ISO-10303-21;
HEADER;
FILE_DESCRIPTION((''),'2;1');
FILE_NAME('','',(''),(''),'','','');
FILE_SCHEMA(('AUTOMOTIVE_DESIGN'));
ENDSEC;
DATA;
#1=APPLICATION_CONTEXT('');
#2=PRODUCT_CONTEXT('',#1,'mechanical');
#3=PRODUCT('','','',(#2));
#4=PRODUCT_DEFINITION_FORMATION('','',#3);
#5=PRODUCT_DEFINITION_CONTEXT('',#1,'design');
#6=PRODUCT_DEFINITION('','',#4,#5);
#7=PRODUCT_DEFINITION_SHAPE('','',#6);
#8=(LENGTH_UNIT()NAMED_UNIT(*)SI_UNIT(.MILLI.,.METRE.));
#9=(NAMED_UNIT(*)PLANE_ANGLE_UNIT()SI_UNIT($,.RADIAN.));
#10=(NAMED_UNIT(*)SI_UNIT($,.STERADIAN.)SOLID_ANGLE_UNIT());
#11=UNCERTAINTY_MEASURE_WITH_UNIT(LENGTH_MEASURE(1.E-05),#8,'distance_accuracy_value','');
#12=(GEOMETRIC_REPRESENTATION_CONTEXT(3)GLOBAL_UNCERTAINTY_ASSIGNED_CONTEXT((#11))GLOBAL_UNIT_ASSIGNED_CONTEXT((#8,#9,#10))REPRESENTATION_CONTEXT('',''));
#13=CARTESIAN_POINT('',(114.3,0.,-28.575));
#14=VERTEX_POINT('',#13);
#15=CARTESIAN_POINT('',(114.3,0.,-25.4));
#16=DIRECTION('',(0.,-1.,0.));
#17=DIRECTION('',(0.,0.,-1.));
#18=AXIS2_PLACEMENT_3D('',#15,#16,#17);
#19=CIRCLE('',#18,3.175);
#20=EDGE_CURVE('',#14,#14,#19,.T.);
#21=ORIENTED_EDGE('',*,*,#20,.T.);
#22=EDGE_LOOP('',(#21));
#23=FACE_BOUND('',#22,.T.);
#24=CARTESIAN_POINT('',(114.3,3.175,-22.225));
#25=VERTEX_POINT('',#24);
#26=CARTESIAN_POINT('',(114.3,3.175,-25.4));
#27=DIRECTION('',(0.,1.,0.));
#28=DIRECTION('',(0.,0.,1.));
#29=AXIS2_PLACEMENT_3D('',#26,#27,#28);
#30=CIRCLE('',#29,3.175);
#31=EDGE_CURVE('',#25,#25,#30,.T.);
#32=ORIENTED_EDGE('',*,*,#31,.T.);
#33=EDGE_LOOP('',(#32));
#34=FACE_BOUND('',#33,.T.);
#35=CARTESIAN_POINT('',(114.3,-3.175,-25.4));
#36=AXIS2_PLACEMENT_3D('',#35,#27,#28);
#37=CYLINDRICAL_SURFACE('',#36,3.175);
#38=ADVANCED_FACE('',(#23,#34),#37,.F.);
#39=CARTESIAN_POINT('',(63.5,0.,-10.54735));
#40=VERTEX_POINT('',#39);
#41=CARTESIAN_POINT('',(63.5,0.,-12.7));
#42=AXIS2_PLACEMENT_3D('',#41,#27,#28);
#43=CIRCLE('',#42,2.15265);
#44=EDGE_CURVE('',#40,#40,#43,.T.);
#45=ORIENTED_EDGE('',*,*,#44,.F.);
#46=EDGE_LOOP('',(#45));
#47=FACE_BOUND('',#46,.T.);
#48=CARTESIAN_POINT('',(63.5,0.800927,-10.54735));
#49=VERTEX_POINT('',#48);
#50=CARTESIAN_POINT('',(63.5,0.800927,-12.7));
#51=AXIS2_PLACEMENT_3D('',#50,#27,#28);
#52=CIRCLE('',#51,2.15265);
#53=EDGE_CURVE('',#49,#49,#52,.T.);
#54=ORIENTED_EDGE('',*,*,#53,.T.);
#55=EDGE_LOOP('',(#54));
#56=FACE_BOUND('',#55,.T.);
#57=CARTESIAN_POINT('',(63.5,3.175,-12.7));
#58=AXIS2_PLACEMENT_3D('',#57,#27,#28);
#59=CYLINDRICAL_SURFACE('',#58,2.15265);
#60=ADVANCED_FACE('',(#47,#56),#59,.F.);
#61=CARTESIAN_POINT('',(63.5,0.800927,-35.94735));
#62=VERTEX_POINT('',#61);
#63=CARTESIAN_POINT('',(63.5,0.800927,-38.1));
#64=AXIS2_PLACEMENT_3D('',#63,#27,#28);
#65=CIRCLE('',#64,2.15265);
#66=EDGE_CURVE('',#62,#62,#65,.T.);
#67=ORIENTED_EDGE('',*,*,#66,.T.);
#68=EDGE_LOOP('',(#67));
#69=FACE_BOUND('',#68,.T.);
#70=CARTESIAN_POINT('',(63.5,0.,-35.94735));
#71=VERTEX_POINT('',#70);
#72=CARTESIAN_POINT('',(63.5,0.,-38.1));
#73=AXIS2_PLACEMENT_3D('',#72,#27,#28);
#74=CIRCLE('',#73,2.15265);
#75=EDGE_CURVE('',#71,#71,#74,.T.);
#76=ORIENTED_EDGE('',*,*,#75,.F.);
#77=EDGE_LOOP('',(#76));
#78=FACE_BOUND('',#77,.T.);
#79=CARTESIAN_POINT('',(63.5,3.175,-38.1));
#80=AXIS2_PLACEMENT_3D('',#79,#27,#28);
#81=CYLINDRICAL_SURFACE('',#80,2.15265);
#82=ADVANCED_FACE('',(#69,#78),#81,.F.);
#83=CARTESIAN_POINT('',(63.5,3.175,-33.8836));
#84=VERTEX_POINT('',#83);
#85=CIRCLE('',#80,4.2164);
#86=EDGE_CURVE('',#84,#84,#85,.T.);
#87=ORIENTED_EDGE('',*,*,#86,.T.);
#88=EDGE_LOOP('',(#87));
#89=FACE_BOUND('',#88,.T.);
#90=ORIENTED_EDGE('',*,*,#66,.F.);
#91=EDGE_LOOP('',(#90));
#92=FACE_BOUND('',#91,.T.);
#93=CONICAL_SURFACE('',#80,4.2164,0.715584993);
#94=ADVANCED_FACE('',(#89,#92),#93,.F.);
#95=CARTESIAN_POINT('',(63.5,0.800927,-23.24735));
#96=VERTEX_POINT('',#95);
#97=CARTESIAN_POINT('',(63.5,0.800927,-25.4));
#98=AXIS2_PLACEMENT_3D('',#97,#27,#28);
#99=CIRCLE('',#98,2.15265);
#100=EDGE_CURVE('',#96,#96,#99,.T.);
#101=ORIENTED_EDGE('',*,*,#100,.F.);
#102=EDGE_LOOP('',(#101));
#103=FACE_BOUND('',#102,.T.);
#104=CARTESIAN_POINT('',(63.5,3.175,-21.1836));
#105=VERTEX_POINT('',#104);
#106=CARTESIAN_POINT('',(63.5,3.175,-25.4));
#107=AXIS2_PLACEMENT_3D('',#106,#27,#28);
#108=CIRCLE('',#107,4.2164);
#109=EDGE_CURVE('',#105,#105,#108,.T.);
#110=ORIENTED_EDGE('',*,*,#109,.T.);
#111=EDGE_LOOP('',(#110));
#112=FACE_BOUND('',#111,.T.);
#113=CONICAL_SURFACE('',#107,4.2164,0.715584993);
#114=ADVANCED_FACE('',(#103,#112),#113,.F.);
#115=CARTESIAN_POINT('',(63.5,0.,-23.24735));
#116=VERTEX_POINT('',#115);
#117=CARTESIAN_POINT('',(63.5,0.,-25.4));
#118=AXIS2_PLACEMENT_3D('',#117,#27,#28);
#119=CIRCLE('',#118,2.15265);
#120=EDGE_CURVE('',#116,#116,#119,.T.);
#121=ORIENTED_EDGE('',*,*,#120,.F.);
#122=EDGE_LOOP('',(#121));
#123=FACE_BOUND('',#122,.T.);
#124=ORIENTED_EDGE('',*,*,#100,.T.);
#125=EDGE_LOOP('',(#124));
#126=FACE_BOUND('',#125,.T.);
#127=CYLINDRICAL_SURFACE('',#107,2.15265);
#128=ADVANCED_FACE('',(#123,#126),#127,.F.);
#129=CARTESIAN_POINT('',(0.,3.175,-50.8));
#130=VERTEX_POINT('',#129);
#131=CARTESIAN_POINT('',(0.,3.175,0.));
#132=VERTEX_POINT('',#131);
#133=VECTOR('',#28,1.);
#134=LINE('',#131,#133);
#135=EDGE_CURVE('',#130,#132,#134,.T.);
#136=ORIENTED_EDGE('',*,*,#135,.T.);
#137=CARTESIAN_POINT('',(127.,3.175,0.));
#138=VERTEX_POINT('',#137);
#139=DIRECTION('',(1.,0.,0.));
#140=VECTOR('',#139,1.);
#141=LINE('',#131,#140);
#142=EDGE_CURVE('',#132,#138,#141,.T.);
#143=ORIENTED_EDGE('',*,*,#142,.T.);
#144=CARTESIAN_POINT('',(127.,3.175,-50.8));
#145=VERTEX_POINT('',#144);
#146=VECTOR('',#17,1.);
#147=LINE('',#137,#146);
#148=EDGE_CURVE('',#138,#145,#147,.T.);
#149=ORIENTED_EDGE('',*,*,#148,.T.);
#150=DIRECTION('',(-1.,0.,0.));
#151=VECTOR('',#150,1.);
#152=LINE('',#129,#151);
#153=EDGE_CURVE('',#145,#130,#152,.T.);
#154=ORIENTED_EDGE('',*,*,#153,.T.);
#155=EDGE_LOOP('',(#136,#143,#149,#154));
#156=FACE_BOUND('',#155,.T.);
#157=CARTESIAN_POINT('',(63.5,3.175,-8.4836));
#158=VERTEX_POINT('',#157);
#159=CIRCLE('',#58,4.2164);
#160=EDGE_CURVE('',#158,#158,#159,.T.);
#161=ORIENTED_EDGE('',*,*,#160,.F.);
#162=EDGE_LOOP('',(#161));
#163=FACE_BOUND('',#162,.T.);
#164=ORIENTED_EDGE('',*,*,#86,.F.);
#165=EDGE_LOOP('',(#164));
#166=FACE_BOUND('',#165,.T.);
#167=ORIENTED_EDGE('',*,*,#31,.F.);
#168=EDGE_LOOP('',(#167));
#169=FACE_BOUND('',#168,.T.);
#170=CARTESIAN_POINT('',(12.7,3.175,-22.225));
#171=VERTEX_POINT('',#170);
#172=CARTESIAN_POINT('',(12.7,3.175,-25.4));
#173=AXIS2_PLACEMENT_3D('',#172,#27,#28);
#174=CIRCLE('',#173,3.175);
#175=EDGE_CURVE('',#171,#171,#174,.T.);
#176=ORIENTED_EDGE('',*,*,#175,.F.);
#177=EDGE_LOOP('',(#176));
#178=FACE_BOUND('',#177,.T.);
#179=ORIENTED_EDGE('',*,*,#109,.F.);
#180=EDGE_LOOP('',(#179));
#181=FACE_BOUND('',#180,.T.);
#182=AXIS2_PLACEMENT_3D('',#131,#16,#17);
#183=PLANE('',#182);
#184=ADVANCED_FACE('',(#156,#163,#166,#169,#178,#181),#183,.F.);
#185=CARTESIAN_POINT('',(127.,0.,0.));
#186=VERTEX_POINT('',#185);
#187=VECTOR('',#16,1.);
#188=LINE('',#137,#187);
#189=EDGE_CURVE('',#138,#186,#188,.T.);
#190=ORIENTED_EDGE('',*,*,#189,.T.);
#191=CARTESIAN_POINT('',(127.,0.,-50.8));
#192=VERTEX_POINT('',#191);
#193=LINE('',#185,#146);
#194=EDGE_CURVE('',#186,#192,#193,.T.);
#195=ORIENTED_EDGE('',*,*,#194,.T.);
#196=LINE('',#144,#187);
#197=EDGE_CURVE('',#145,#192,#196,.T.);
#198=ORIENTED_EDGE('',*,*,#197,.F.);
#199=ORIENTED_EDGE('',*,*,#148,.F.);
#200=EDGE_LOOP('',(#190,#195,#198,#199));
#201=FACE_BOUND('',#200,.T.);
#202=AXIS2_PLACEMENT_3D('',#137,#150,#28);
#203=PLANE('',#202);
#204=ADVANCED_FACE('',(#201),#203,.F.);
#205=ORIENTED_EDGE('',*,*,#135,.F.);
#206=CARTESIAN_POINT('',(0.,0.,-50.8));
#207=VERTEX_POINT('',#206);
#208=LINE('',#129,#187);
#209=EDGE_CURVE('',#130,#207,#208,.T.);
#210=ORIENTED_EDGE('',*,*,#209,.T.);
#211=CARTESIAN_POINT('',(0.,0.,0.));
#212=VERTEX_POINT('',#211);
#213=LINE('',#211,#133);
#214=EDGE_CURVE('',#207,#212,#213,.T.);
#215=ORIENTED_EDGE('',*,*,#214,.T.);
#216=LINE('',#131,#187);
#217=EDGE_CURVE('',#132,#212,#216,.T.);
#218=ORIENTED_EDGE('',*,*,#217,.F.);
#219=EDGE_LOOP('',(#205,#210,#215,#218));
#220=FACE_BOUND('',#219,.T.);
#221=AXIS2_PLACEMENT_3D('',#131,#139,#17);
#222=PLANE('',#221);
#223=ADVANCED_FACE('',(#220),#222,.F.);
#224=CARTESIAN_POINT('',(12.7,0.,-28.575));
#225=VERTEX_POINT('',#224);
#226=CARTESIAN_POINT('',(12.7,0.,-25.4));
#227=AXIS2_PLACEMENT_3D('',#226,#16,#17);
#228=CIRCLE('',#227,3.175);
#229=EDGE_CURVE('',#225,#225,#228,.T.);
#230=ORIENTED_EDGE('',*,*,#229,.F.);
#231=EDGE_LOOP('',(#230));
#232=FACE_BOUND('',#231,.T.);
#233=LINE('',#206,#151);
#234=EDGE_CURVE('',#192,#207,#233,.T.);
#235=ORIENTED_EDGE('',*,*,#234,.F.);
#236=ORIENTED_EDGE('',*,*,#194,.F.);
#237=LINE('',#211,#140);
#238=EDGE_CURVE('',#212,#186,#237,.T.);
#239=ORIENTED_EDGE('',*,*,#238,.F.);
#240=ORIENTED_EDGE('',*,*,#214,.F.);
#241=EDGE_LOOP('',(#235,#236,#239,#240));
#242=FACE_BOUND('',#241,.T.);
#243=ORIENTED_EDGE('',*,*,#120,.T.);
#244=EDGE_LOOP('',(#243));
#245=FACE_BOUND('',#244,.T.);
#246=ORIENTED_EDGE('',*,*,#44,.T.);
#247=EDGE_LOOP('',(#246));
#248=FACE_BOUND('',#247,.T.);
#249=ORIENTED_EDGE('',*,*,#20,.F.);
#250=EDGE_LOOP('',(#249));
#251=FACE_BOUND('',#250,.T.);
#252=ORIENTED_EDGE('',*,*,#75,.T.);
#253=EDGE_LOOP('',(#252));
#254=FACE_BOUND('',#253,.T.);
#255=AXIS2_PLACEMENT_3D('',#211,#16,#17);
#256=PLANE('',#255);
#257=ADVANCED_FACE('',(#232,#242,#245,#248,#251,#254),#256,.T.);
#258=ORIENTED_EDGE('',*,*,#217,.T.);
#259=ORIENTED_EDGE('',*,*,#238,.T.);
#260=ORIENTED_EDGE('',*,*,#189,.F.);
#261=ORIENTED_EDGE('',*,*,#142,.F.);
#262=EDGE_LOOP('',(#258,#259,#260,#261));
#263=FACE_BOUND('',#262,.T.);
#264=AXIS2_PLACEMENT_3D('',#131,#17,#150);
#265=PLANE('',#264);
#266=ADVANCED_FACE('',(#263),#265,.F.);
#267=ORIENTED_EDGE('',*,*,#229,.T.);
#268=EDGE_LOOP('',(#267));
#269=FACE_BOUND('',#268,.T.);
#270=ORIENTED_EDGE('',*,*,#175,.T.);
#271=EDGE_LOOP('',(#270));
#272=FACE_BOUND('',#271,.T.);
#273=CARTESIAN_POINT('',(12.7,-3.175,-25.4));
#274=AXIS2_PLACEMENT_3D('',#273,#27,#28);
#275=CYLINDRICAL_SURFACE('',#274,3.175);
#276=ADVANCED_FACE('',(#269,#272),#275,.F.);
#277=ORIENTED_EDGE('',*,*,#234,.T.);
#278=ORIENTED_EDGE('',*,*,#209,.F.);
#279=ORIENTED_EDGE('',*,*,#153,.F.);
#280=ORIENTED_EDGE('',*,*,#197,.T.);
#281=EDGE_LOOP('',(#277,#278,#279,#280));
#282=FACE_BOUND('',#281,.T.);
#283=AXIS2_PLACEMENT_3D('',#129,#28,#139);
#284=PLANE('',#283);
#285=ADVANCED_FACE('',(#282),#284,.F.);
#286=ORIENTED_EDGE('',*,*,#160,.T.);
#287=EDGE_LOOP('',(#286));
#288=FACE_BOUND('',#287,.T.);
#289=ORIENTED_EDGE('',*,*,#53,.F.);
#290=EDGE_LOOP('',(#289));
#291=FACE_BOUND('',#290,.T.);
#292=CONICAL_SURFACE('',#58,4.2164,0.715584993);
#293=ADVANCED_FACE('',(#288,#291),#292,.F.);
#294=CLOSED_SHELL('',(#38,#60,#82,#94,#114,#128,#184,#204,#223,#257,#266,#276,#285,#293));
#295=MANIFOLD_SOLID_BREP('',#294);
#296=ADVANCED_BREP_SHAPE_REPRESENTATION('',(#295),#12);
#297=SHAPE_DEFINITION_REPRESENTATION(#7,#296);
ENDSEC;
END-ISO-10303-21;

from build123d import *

# Parameters (mm, degrees)
SKETCH1_W                                     = 127
SKETCH1_H                                     = 50.8
BOSS_EXTRUDE1_DEPTH                           = 3.175
SKETCH2_R                                     = 3.175
CUT_EXTRUDE1_DEPTH                            = 6.35
CSK_FOR_8_FLAT_HEAD_MACHINE_SCREW1_AT_2_COUNT = 2
CSK_FOR_8_FLAT_HEAD_MACHINE_SCREW1_AT_2_PITCH = 12.7
CSK_FOR_8_FLAT_HEAD_MACHINE_SCREW1_AT_3_COUNT = 2
CSK_FOR_8_FLAT_HEAD_MACHINE_SCREW1_AT_3_PITCH = 25.4


with BuildPart() as part:
    # Sketch1 → Boss-Extrude1 (new body)
    with BuildSketch(Plane(origin=(0, 0, 0), x_dir=(1, 0, 0), z_dir=(0, 1, 0))):
        with Locations((63.5, 25.4)):
            Rectangle(SKETCH1_W, SKETCH1_H)
    extrude(amount=BOSS_EXTRUDE1_DEPTH)

    # Sketch2 → Cut-Extrude1 (cut)
    with BuildSketch(Plane(origin=(0, 3.175, 0), x_dir=(1, 0, 0), z_dir=(0, 1, 0))):
        with Locations(Location((12.7, 25.4, 0), (0, 0, 270))):
            Circle(SKETCH2_R)
        with Locations(Location((114.3, 25.4, 0), (0, 0, 270))):
            Circle(SKETCH2_R)
    extrude(amount=-CUT_EXTRUDE1_DEPTH, mode=Mode.SUBTRACT)

    # Sketch4 → CSK for #8 Flat Head Machine Screw1 (revolve, cut)
    with BuildSketch(Plane(origin=(63.5, 3.175, -12.7), x_dir=(0, 0, 1), z_dir=(1, 0, 0))):
        Polygon((0, 0), (0, 3.175), (2.15265, 3.175), (2.15265, 2.3740728), (4.2164, 0), align=None)
    csk_for_8_flat_head_machine_screw1 = revolve(axis=Axis((63.5, 9.525, -12.7), (0, -1, 0)), mode=Mode.SUBTRACT)

    # CSK for #8 Flat Head Machine Screw1 at 2: CSK for #8 Flat Head Machine Screw1 ×2
    with Locations(*[(0, 0, -i * CSK_FOR_8_FLAT_HEAD_MACHINE_SCREW1_AT_2_PITCH) for i in range(1, CSK_FOR_8_FLAT_HEAD_MACHINE_SCREW1_AT_2_COUNT)]):
        add(csk_for_8_flat_head_machine_screw1, mode=Mode.SUBTRACT)

    # CSK for #8 Flat Head Machine Screw1 at 3: CSK for #8 Flat Head Machine Screw1 ×2
    with Locations(*[(0, 0, -i * CSK_FOR_8_FLAT_HEAD_MACHINE_SCREW1_AT_3_PITCH) for i in range(1, CSK_FOR_8_FLAT_HEAD_MACHINE_SCREW1_AT_3_COUNT)]):
        add(csk_for_8_flat_head_machine_screw1, mode=Mode.SUBTRACT)


solid = part.part
